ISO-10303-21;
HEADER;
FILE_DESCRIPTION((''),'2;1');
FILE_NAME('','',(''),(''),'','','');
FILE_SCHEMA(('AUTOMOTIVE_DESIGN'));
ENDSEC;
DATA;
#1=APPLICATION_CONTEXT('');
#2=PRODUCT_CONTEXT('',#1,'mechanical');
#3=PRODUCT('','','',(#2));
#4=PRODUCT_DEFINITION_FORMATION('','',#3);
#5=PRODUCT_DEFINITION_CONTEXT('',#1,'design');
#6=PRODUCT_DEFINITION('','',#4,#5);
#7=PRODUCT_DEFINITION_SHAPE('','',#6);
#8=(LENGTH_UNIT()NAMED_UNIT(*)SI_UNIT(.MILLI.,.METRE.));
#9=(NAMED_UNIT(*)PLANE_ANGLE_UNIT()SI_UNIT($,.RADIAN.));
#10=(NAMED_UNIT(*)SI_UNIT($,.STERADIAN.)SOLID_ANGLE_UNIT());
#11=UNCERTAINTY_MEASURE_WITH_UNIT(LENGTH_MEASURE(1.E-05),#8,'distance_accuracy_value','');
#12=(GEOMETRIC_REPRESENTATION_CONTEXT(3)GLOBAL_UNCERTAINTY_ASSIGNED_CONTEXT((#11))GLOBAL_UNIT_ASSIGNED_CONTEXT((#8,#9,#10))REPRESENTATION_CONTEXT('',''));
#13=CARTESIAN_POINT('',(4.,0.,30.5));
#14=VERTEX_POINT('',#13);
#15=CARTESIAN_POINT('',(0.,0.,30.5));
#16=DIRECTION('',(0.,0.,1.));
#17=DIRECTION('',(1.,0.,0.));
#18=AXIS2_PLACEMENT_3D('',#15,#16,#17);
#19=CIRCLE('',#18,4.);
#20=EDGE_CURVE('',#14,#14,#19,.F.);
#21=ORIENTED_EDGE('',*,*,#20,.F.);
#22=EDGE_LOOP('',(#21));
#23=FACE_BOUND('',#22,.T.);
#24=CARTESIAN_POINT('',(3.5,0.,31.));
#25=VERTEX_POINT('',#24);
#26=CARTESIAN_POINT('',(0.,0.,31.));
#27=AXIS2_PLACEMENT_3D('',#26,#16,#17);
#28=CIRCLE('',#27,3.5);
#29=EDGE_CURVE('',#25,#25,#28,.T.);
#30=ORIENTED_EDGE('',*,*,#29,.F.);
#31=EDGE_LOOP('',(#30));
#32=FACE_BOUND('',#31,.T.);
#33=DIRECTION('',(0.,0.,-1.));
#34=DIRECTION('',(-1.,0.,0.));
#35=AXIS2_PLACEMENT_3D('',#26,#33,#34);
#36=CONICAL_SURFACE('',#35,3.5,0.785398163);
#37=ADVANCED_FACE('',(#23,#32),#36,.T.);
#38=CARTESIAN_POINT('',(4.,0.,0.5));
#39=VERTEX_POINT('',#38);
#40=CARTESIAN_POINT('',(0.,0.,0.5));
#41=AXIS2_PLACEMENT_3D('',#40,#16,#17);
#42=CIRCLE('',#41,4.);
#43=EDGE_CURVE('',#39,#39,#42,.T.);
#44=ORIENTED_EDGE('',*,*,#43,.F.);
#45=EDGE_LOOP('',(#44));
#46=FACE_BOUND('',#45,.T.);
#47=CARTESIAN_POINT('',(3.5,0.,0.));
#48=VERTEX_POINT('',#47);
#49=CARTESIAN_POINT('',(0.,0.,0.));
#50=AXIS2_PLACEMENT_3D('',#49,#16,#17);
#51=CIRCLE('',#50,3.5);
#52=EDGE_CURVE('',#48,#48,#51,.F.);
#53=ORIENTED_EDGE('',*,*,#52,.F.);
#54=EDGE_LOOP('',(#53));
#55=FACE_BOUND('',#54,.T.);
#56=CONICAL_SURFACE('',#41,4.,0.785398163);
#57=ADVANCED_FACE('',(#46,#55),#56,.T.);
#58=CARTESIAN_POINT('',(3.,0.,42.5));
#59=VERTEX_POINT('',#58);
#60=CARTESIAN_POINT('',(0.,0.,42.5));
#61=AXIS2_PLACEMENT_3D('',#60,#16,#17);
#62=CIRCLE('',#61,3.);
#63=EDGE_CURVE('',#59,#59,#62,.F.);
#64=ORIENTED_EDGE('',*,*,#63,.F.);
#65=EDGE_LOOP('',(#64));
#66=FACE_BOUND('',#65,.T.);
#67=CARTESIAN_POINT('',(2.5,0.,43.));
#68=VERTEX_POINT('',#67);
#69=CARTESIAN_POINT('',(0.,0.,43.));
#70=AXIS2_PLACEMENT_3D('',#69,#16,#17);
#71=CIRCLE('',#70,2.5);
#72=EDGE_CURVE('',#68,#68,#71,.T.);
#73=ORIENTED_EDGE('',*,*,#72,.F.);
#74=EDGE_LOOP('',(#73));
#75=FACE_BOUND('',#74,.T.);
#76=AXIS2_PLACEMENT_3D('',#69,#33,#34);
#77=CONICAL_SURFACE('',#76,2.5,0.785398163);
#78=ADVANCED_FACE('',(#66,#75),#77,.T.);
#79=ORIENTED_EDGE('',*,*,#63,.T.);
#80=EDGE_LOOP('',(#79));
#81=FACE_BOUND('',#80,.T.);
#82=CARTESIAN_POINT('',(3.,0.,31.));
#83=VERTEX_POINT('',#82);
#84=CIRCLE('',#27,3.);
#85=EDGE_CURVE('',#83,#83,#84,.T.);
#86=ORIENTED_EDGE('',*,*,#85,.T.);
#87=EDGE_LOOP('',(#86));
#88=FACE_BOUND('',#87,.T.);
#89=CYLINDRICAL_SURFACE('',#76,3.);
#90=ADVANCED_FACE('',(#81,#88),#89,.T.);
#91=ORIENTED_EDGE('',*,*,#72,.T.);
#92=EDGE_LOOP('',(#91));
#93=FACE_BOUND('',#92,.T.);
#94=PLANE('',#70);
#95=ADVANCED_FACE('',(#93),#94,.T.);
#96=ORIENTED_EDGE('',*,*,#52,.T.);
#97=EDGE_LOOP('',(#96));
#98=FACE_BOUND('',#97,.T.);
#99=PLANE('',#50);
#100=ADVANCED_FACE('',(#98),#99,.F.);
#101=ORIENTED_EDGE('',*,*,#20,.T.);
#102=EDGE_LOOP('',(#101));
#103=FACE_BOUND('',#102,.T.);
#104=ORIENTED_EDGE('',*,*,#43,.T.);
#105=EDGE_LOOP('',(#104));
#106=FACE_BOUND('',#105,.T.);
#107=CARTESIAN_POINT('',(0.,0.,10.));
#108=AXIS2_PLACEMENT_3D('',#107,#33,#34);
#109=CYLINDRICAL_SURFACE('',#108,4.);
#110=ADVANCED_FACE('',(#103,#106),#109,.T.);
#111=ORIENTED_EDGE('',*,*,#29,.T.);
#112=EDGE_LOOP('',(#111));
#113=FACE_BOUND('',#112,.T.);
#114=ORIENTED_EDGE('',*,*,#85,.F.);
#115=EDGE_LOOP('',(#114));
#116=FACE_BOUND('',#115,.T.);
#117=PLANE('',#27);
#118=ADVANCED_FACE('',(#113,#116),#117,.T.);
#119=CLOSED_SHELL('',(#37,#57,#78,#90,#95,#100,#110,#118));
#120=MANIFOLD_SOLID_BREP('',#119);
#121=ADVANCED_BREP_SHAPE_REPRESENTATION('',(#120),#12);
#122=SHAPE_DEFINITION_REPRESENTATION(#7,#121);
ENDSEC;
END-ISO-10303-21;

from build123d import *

# Parameters (mm, degrees)
SKETCH_1_R          = 4
EXTRUDE_1_DEPTH     = 10
EXTRUDE_2_DEPTH     = 8
SKETCH_3_R          = 4
EXTRUDE_3_DEPTH     = 13
SKETCH_4_R          = 3
EXTRUDE_4_DEPTH     = 12
CHAMFER_1_SIZE      = 0.5
SKETCH_5_R          = 13.06418711
SKETCH_5_R_2        = 4
CUT_EXTRUDE_1_DEPTH = 10


with BuildPart() as part:
    # 草图1 → 凸台-拉伸1 (new body)
    with BuildSketch(Plane.XY):
        Circle(SKETCH_1_R)
    extrude(amount=EXTRUDE_1_DEPTH)

    # 草图2 → 凸台-拉伸2 (add)
    with BuildSketch(Plane.XY.offset(10)):
        Polygon((10, 0), (5, 8.660254038), (-5, 8.660254038), (-10, 0), (-5, -8.660254038), (5, -8.660254038), align=None)
    extrude(amount=EXTRUDE_2_DEPTH)

    # 草图3 → 凸台-拉伸3 (add)
    with BuildSketch(Plane.XY.offset(18)):
        Circle(SKETCH_3_R)
    extrude(amount=EXTRUDE_3_DEPTH)

    # 草图4 → 凸台-拉伸4 (add)
    with BuildSketch(Plane.XY.offset(31)):
        Circle(SKETCH_4_R)
    extrude(amount=EXTRUDE_4_DEPTH)

    # 倒角1
    chamfer_1_edges = [part.edges().sort_by_distance(p)[0] for p in [
        (-4, 0, 0),
        (-4, 0, 31),
        (-3, 0, 43),
    ]]
    chamfer(chamfer_1_edges, length=CHAMFER_1_SIZE)

    # 草图5 → 切除-拉伸1 (cut)
    with BuildSketch(Plane(origin=(0, 0, 10), x_dir=(-1, 0, 0), z_dir=(0, 0, -1))):
        Circle(SKETCH_5_R)
        Circle(SKETCH_5_R_2, mode=Mode.SUBTRACT)
    extrude(amount=-CUT_EXTRUDE_1_DEPTH, mode=Mode.SUBTRACT)


solid = part.part
